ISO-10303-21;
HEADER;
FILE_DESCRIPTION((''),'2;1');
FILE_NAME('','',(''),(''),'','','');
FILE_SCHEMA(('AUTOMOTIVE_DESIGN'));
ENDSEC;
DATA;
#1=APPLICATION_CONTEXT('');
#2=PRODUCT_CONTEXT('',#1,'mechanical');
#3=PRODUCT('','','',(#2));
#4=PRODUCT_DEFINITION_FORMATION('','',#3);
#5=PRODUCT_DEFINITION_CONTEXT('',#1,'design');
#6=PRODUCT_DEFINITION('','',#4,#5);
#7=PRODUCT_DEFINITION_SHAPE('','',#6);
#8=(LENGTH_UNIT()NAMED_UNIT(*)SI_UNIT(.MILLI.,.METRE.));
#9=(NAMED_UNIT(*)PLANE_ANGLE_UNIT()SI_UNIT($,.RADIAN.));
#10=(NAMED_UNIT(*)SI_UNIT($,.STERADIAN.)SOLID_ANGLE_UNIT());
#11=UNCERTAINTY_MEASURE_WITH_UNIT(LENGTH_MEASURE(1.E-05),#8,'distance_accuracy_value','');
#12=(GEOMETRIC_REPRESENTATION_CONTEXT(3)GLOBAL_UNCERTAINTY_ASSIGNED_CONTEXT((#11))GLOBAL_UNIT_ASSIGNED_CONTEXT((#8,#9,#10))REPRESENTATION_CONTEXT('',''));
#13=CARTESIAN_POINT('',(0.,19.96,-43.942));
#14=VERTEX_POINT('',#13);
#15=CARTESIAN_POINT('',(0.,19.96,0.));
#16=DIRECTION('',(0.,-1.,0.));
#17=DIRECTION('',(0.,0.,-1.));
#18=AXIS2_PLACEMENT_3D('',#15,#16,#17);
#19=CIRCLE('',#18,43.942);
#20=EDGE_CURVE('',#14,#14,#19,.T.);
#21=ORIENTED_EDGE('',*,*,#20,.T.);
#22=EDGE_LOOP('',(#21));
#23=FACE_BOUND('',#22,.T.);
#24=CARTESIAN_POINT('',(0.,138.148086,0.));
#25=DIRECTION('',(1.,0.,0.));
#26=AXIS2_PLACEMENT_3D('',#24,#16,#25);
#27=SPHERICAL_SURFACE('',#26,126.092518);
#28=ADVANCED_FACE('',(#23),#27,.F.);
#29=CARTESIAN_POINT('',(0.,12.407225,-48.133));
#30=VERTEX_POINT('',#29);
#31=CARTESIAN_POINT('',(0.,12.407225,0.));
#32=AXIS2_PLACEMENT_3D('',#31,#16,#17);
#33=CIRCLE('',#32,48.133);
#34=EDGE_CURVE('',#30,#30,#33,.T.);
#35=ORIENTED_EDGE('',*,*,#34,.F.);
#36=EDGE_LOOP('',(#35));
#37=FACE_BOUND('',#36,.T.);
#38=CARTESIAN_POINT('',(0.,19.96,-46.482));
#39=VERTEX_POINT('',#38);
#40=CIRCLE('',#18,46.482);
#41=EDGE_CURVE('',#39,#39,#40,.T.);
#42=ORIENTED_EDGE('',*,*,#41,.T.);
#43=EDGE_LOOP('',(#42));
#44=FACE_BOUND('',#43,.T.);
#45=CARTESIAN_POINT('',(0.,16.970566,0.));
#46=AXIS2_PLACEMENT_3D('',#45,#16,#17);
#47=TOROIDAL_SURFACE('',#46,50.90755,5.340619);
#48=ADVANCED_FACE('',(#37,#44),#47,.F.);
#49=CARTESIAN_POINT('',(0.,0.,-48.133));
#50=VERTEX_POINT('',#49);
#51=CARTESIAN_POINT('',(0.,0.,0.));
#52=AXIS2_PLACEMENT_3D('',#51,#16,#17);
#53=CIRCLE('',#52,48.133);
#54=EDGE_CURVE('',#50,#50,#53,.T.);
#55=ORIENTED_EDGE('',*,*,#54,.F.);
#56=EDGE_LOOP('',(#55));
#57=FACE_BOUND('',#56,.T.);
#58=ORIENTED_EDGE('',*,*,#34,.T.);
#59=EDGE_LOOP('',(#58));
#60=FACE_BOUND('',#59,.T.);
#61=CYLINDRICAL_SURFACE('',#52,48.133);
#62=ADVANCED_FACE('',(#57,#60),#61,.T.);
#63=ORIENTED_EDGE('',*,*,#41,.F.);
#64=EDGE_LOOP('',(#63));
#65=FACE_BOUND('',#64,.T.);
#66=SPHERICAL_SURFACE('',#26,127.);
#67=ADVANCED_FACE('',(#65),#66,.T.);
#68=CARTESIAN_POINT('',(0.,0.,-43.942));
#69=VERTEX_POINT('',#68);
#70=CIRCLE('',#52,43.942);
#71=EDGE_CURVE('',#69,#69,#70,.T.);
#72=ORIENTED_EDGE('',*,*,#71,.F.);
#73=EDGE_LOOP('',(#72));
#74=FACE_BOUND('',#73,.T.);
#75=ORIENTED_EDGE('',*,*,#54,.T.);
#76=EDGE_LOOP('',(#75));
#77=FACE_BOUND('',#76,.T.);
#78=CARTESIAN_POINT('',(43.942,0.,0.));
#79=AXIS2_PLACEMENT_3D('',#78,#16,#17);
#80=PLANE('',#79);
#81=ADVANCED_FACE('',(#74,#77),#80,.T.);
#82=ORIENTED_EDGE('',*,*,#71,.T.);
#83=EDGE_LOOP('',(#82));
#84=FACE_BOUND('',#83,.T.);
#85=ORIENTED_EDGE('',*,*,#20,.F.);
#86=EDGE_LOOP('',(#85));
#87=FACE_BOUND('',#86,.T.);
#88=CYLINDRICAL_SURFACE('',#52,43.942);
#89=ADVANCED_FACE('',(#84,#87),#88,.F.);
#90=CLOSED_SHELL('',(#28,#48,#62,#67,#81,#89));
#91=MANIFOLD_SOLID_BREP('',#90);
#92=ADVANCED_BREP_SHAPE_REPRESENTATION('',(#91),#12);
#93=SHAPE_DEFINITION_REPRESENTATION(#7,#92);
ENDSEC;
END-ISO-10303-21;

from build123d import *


with BuildPart() as part:
    # Sketch1 → Revolve1 (revolve)
    with BuildSketch(Plane.XY, mode=Mode.PRIVATE) as revolve1_sk:
        with BuildLine():
            Line((43.942, 0), (43.942, 19.96))
            ThreePointArc((43.942, 19.96), (124.100677632, 160.471724863), (0, 264.240603795))
            Line((0, 264.240603795), (0, 265.148086015))
            ThreePointArc((0, 265.148086015), (124.777575958, 161.803033448), (46.482, 19.96))
            ThreePointArc((46.482, 19.96), (45.690130632, 15.830063219), (48.133, 12.407224607))
            Line((48.133, 12.407224607), (48.133, 0))
            Line((48.133, 0), (43.942, 0))
        make_face()
    revolve(revolve1_sk.sketch.rotate(Axis((0, 0, 0), (0, 1, 0)), 90), axis=Axis((0, 0, 0), (0, 1, 0)))


solid = part.part
